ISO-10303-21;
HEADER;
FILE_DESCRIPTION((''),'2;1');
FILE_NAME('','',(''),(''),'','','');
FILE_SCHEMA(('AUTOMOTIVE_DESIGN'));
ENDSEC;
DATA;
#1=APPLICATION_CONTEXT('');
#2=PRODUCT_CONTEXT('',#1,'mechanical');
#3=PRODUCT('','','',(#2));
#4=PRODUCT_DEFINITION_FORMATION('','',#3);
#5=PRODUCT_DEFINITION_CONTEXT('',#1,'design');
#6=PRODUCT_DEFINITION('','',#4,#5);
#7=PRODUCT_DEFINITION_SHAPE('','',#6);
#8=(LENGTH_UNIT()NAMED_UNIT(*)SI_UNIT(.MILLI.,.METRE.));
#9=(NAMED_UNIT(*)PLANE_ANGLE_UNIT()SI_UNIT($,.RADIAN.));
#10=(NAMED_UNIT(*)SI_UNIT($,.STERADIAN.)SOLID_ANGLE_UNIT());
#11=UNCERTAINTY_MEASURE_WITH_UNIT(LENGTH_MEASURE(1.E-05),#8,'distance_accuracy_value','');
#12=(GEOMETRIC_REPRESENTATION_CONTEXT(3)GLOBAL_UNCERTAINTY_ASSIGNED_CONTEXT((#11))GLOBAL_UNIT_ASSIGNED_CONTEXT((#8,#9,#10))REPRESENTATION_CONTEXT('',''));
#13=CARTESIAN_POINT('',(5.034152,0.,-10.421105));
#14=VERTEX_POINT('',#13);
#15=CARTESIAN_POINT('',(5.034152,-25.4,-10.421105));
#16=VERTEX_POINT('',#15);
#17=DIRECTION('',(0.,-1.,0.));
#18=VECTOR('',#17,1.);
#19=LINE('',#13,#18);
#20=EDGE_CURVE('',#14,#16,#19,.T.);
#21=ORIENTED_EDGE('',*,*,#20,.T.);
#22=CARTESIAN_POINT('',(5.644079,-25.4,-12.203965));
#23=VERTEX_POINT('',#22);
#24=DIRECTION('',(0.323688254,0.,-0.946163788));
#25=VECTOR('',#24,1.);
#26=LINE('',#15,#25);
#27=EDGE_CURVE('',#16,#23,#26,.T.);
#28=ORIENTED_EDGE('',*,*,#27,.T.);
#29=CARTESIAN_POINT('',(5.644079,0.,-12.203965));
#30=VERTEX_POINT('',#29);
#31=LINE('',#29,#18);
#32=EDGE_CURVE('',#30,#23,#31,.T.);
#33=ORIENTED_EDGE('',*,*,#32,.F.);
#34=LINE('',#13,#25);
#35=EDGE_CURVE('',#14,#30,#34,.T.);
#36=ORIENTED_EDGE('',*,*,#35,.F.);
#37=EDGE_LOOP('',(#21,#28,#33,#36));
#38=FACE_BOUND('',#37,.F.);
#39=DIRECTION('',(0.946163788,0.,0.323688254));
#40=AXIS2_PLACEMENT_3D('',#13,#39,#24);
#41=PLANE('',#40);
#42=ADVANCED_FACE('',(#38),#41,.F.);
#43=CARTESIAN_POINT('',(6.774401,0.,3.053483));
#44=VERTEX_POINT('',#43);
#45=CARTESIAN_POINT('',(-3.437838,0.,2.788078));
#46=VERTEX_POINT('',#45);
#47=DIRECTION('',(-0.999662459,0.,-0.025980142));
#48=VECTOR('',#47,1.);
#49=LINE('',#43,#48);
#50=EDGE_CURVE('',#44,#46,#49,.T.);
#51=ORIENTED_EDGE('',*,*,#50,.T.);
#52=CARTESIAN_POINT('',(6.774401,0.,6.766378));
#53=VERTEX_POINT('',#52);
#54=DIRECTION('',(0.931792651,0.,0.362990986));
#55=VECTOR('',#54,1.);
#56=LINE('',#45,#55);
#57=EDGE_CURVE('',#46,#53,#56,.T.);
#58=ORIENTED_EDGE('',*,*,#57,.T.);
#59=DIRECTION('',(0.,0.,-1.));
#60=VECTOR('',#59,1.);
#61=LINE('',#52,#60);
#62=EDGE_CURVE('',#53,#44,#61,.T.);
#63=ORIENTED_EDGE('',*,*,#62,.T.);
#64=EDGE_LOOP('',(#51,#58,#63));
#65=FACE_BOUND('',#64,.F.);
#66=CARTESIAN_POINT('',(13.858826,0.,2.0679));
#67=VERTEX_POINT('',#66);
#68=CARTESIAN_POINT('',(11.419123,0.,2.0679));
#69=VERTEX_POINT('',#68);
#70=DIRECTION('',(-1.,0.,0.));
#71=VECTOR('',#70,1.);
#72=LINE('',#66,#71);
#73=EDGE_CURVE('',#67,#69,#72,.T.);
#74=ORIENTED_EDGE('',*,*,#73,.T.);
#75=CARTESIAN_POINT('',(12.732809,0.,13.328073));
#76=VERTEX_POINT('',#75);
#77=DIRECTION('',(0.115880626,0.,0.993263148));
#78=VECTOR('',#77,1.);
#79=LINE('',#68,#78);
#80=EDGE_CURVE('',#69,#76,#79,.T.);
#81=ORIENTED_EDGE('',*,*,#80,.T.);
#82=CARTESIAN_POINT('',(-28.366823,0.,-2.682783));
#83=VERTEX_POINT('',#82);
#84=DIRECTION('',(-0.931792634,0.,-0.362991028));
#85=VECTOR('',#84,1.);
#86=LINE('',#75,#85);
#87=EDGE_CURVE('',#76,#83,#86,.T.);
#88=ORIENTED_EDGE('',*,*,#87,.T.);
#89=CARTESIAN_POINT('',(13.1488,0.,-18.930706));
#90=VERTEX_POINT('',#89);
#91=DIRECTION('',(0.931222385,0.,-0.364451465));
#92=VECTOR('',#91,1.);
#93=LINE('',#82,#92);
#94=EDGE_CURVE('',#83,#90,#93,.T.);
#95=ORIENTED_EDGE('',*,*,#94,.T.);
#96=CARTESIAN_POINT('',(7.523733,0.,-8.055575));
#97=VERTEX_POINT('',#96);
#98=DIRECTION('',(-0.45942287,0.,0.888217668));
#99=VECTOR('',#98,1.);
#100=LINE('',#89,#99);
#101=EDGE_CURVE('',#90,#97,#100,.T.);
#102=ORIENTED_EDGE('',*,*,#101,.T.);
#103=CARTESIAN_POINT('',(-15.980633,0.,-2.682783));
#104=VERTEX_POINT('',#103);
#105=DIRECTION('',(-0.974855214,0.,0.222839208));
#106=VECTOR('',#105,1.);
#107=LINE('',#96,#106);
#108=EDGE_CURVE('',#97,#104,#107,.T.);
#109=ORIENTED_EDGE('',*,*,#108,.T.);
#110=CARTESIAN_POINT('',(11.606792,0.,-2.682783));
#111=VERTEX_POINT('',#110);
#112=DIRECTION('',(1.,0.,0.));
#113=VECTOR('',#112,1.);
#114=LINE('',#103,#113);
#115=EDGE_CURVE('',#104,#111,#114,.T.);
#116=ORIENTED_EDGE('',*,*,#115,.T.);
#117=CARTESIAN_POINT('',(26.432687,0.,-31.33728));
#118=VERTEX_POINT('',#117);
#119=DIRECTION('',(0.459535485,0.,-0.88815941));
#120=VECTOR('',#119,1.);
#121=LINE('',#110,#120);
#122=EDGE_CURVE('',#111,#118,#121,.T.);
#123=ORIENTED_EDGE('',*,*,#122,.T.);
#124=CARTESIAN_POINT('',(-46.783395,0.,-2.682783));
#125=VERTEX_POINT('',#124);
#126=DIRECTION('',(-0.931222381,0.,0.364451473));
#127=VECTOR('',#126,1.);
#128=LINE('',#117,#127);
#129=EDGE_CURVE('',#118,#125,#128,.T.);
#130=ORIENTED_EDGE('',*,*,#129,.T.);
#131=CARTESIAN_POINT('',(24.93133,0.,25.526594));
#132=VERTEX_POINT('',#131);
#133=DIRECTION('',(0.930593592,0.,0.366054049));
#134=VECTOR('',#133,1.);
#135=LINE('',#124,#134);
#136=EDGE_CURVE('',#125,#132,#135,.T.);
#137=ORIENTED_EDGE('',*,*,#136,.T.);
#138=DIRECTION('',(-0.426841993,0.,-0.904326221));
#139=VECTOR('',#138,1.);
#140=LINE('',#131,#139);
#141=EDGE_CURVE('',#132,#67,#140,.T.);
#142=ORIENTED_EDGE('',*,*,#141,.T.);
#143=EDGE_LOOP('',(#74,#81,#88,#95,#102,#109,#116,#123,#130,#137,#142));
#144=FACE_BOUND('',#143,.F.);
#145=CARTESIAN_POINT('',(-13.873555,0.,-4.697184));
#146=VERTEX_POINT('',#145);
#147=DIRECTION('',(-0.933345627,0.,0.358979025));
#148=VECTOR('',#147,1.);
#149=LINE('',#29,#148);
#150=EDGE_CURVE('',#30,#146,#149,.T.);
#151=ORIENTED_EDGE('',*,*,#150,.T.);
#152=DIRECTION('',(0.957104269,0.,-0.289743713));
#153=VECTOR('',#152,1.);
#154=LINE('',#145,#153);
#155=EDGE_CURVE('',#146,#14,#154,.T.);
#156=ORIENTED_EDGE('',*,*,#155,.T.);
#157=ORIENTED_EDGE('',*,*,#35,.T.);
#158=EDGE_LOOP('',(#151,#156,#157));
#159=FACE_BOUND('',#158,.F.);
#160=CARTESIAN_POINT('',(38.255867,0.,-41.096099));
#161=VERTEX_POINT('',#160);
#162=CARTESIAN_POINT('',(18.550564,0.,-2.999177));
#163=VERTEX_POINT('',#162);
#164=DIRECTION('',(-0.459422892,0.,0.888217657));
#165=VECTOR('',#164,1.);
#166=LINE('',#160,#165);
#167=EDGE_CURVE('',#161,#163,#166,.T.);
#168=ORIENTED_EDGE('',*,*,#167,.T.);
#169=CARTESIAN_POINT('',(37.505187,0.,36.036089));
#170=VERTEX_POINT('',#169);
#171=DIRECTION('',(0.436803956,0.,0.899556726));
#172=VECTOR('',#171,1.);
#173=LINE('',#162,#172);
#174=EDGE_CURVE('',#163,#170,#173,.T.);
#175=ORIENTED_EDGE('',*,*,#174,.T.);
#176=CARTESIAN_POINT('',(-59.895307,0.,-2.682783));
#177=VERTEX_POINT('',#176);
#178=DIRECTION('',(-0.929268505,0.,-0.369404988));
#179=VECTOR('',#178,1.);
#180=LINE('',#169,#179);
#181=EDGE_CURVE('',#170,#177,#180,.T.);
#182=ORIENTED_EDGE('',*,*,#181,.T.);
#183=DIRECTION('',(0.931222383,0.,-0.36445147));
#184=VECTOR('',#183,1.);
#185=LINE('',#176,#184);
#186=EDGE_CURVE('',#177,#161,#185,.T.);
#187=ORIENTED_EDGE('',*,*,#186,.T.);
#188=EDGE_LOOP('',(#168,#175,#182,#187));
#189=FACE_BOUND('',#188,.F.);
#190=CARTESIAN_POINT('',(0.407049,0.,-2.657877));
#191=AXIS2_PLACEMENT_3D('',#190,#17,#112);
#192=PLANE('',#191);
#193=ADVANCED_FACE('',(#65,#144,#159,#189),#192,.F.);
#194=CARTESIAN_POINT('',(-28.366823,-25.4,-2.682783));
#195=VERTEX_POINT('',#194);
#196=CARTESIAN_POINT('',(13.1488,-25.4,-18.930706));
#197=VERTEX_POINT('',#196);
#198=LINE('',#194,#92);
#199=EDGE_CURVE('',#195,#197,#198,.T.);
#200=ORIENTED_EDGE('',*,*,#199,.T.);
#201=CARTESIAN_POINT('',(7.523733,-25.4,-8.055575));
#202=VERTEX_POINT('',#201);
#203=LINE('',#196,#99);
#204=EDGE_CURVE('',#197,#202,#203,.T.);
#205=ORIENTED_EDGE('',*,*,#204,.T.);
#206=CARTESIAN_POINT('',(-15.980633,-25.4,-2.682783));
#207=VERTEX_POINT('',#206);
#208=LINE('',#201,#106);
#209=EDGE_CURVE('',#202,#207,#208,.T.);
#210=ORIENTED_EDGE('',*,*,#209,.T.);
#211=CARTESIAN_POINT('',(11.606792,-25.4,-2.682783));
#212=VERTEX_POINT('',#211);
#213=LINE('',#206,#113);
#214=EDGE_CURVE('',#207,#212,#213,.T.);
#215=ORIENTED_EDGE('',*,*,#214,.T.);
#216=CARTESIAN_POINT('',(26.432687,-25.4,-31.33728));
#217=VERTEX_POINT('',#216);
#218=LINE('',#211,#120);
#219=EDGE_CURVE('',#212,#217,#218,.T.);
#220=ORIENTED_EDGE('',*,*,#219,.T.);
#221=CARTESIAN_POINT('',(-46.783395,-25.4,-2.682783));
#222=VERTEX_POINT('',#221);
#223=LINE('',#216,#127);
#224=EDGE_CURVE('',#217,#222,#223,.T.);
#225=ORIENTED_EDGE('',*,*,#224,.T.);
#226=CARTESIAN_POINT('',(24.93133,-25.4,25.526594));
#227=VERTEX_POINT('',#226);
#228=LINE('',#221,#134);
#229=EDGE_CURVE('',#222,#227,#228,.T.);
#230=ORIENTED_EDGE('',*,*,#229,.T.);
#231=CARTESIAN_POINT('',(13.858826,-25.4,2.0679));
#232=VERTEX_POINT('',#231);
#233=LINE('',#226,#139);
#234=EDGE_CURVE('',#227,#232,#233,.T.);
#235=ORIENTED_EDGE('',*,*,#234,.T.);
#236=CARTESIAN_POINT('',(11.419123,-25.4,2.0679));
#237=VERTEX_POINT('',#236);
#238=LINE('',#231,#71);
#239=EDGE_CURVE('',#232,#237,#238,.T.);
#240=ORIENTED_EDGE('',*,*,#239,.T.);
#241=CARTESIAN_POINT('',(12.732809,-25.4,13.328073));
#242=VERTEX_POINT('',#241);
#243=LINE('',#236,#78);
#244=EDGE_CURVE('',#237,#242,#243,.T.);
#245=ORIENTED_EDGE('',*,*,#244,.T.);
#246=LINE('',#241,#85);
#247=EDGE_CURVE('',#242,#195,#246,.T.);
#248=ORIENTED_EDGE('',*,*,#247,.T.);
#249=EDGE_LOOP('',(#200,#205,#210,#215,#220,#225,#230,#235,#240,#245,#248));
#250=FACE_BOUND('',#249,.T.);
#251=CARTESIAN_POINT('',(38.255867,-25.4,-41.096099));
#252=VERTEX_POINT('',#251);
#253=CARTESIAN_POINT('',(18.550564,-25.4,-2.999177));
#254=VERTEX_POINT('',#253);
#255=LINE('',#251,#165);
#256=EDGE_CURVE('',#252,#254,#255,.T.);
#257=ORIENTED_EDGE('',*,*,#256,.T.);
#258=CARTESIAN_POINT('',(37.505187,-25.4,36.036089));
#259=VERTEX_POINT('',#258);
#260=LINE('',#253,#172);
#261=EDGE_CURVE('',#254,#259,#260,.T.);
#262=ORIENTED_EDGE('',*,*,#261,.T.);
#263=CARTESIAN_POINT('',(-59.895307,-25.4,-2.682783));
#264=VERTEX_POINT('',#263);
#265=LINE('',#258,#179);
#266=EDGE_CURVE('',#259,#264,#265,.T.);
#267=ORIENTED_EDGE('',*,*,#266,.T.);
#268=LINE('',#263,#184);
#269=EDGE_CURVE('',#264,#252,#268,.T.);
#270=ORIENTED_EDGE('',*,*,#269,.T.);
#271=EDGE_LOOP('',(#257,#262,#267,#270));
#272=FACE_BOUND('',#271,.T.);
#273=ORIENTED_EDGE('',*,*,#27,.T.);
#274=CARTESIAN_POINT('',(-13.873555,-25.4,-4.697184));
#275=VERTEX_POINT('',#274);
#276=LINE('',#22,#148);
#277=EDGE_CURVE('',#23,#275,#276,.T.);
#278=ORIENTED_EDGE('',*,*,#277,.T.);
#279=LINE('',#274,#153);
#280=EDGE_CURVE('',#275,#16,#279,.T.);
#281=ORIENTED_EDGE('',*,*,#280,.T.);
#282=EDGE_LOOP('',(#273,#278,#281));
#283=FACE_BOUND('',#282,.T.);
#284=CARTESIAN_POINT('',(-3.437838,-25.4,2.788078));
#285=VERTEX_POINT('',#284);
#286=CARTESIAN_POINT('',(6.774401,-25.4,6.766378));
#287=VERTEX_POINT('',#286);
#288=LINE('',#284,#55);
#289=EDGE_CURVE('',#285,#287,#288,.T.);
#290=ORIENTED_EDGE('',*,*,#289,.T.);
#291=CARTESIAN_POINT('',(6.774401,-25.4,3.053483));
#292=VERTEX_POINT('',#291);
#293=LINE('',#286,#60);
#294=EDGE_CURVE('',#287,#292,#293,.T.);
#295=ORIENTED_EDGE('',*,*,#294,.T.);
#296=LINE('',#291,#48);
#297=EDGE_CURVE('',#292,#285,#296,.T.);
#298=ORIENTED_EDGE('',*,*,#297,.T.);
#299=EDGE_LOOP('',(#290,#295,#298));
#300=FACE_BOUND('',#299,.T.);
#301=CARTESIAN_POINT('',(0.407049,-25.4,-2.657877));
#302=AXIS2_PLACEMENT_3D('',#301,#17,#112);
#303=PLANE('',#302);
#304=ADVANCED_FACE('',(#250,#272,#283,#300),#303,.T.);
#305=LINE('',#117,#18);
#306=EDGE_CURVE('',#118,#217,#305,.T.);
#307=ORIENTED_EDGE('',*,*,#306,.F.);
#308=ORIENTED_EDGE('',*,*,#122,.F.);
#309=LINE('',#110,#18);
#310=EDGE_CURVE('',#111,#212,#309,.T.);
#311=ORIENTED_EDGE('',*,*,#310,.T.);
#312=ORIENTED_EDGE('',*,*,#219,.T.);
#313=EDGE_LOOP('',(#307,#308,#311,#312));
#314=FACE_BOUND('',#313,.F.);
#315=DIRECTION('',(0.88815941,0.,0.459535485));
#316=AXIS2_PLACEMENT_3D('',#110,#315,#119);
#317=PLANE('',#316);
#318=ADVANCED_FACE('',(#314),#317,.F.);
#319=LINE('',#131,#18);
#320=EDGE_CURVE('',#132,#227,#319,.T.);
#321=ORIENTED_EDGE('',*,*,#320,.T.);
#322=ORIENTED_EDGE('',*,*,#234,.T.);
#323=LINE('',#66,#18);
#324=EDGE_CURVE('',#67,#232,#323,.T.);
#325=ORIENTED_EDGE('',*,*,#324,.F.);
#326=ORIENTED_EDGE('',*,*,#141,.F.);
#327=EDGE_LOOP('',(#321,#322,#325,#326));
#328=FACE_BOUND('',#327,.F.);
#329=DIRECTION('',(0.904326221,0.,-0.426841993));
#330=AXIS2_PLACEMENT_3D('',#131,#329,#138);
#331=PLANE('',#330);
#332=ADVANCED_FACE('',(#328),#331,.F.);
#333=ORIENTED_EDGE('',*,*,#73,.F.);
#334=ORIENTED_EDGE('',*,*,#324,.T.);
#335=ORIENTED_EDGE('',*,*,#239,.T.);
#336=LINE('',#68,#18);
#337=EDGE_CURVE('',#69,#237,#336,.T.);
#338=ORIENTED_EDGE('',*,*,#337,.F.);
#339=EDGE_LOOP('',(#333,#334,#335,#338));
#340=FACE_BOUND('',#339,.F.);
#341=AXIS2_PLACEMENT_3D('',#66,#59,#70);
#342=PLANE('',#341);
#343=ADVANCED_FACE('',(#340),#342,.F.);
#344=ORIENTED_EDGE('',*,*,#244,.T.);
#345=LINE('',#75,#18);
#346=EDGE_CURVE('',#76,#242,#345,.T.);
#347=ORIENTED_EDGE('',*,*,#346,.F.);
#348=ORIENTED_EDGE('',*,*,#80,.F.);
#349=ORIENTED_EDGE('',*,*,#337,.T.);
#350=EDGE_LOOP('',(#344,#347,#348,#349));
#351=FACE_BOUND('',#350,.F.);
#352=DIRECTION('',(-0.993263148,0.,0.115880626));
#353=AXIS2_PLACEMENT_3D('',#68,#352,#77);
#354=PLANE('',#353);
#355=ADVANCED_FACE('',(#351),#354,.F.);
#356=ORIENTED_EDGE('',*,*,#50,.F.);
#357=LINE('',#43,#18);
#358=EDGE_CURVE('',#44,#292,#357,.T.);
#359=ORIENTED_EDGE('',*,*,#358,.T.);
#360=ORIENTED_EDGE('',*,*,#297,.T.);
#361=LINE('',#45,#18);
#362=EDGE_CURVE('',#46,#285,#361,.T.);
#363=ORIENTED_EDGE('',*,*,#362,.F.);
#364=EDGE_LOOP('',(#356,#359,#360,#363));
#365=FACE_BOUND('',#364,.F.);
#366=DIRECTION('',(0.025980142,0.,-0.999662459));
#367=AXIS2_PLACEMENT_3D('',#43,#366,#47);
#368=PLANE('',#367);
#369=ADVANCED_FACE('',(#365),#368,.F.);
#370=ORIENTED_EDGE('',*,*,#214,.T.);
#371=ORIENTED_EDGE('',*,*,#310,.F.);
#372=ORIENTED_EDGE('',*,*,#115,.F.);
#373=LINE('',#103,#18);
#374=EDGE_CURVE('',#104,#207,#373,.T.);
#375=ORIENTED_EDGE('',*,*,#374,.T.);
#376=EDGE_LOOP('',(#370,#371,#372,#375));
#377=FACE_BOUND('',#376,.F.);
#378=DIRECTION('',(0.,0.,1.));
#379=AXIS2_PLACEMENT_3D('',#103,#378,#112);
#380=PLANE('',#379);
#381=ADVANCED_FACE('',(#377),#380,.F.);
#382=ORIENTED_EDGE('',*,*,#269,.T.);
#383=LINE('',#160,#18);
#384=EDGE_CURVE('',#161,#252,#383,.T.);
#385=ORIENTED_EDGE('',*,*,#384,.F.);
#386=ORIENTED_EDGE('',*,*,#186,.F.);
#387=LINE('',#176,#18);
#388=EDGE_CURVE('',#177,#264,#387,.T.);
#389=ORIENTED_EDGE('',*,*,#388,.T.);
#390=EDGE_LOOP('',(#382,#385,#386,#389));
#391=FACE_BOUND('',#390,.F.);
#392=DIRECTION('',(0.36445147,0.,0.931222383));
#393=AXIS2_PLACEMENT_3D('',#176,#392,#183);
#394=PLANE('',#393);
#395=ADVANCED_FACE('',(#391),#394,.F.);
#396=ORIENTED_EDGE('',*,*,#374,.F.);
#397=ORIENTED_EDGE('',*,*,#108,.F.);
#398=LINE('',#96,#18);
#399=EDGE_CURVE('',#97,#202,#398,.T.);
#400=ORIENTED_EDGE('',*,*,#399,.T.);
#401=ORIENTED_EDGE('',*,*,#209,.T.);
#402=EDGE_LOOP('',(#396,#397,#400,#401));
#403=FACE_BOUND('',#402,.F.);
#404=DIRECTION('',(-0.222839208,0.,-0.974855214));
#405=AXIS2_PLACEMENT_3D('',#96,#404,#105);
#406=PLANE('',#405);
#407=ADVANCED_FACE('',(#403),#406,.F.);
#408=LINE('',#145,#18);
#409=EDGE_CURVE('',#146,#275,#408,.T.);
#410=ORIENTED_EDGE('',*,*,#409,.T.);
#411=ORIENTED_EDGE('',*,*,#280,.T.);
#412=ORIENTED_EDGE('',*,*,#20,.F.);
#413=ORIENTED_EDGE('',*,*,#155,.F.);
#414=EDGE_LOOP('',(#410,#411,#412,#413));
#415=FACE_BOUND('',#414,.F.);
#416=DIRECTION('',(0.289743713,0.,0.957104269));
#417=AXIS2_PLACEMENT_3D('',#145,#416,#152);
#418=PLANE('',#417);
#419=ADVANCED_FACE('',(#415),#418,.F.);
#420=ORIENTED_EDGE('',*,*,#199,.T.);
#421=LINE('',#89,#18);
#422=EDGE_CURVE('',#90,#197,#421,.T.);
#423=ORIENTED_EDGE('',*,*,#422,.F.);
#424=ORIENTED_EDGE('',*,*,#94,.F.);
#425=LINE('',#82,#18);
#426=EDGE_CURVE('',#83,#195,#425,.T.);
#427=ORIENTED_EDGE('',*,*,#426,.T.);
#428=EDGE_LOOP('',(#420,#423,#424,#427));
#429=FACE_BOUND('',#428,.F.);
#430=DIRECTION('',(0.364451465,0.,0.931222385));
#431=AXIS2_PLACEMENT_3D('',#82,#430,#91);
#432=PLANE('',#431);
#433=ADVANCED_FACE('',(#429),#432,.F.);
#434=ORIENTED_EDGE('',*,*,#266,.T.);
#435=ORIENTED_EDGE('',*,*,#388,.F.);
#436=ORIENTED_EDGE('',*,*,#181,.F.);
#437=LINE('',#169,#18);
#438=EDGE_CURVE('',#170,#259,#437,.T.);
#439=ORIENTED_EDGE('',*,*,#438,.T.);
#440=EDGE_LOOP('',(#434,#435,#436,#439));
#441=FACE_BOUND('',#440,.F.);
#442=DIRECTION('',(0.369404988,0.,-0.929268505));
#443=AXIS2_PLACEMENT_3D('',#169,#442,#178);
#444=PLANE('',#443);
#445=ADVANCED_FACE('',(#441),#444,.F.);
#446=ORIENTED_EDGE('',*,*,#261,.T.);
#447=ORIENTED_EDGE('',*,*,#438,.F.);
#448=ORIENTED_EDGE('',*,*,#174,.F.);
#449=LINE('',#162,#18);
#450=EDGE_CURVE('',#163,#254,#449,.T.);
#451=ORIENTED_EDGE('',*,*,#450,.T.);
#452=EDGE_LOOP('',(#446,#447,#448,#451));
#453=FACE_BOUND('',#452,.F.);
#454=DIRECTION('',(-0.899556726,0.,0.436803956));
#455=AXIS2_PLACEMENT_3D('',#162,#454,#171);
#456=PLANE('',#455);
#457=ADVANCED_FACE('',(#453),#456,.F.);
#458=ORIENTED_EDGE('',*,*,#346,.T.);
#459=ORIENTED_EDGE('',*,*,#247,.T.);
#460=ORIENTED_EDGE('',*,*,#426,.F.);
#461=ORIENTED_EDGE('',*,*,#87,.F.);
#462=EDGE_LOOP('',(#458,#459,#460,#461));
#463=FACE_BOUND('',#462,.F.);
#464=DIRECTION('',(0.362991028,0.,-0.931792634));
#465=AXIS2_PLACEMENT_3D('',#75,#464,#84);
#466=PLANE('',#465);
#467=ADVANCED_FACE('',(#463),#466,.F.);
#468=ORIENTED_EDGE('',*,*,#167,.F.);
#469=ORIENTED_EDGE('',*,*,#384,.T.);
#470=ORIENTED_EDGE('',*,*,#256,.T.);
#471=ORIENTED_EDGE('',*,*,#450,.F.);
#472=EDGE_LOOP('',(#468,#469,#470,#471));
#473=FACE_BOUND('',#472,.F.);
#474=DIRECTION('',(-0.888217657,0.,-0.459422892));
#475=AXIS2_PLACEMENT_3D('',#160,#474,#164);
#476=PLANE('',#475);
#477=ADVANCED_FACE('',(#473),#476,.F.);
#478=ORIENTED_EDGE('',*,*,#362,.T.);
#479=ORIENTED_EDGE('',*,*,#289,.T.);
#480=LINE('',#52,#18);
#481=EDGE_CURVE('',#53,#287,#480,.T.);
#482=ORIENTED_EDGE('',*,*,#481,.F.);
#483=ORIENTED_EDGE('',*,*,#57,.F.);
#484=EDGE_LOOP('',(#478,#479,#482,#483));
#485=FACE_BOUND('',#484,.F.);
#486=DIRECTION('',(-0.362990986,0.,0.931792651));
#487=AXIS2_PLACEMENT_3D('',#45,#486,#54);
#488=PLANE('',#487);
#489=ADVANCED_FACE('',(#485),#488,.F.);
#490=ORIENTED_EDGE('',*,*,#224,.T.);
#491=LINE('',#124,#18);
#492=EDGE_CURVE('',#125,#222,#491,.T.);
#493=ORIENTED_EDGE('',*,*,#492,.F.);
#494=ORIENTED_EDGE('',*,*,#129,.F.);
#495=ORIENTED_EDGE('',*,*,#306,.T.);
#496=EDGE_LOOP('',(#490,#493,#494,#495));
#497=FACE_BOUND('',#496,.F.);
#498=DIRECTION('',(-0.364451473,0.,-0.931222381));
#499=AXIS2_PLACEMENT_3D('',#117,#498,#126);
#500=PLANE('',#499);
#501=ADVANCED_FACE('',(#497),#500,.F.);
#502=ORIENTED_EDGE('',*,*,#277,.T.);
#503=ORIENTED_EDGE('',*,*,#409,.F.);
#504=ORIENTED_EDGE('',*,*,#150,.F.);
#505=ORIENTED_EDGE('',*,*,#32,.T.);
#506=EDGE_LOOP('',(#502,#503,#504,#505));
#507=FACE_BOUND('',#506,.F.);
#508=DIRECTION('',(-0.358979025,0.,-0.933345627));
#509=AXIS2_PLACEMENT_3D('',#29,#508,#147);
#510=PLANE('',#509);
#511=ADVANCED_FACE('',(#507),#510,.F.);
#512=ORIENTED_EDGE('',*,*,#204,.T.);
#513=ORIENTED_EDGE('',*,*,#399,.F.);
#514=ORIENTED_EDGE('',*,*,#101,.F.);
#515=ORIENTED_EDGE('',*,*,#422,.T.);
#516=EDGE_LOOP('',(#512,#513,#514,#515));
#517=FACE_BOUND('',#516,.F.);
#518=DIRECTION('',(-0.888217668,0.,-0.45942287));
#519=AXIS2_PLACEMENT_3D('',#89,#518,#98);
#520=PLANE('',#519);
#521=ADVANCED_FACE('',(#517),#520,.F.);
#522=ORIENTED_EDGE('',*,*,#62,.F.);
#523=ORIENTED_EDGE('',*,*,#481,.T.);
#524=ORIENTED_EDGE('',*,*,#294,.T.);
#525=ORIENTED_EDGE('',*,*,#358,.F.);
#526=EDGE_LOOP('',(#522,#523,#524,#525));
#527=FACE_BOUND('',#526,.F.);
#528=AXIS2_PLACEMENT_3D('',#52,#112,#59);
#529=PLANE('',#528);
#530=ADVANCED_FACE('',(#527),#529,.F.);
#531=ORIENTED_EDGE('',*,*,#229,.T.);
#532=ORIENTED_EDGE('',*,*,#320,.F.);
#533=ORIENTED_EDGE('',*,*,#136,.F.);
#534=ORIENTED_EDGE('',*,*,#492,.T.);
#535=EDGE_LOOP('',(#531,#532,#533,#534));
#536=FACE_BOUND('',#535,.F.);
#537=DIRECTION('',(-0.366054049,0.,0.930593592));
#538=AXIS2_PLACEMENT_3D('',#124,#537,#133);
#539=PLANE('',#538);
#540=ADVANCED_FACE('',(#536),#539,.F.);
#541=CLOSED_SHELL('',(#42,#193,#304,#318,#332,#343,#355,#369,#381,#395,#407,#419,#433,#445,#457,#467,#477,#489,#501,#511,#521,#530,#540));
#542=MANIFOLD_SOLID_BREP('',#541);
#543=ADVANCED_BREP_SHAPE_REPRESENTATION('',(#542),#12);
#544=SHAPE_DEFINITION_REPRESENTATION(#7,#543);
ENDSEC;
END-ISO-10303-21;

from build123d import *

# Parameters (mm, degrees)
F1_DEPTH = 25.4


with BuildPart() as f1:
    # F0 (on Front) → F1 (new body)
    with BuildSketch(Plane.XZ):
        Polygon((37.505187, 36.036089), (-59.895307, -2.682783), (38.255867, -41.096099), (18.550564, -2.999177), align=None)
        Polygon((5.644079, -12.203965), (-13.873555, -4.697184), (5.034152, -10.421105), align=None, mode=Mode.SUBTRACT)
        Polygon((11.606792, -2.682783), (26.432687, -31.33728), (-46.783395, -2.682783), (24.93133, 25.526594), (13.858826, 2.0679), (11.419123, 2.0679), (12.732809, 13.328073), (-28.366823, -2.682783), (13.1488, -18.930706), (7.523733, -8.055575), (-15.980633, -2.682783), align=None, mode=Mode.SUBTRACT)
        Polygon((6.774401, 3.053483), (-3.437838, 2.788078), (6.774401, 6.766378), align=None, mode=Mode.SUBTRACT)
    extrude(amount=F1_DEPTH)


solid = f1.part
